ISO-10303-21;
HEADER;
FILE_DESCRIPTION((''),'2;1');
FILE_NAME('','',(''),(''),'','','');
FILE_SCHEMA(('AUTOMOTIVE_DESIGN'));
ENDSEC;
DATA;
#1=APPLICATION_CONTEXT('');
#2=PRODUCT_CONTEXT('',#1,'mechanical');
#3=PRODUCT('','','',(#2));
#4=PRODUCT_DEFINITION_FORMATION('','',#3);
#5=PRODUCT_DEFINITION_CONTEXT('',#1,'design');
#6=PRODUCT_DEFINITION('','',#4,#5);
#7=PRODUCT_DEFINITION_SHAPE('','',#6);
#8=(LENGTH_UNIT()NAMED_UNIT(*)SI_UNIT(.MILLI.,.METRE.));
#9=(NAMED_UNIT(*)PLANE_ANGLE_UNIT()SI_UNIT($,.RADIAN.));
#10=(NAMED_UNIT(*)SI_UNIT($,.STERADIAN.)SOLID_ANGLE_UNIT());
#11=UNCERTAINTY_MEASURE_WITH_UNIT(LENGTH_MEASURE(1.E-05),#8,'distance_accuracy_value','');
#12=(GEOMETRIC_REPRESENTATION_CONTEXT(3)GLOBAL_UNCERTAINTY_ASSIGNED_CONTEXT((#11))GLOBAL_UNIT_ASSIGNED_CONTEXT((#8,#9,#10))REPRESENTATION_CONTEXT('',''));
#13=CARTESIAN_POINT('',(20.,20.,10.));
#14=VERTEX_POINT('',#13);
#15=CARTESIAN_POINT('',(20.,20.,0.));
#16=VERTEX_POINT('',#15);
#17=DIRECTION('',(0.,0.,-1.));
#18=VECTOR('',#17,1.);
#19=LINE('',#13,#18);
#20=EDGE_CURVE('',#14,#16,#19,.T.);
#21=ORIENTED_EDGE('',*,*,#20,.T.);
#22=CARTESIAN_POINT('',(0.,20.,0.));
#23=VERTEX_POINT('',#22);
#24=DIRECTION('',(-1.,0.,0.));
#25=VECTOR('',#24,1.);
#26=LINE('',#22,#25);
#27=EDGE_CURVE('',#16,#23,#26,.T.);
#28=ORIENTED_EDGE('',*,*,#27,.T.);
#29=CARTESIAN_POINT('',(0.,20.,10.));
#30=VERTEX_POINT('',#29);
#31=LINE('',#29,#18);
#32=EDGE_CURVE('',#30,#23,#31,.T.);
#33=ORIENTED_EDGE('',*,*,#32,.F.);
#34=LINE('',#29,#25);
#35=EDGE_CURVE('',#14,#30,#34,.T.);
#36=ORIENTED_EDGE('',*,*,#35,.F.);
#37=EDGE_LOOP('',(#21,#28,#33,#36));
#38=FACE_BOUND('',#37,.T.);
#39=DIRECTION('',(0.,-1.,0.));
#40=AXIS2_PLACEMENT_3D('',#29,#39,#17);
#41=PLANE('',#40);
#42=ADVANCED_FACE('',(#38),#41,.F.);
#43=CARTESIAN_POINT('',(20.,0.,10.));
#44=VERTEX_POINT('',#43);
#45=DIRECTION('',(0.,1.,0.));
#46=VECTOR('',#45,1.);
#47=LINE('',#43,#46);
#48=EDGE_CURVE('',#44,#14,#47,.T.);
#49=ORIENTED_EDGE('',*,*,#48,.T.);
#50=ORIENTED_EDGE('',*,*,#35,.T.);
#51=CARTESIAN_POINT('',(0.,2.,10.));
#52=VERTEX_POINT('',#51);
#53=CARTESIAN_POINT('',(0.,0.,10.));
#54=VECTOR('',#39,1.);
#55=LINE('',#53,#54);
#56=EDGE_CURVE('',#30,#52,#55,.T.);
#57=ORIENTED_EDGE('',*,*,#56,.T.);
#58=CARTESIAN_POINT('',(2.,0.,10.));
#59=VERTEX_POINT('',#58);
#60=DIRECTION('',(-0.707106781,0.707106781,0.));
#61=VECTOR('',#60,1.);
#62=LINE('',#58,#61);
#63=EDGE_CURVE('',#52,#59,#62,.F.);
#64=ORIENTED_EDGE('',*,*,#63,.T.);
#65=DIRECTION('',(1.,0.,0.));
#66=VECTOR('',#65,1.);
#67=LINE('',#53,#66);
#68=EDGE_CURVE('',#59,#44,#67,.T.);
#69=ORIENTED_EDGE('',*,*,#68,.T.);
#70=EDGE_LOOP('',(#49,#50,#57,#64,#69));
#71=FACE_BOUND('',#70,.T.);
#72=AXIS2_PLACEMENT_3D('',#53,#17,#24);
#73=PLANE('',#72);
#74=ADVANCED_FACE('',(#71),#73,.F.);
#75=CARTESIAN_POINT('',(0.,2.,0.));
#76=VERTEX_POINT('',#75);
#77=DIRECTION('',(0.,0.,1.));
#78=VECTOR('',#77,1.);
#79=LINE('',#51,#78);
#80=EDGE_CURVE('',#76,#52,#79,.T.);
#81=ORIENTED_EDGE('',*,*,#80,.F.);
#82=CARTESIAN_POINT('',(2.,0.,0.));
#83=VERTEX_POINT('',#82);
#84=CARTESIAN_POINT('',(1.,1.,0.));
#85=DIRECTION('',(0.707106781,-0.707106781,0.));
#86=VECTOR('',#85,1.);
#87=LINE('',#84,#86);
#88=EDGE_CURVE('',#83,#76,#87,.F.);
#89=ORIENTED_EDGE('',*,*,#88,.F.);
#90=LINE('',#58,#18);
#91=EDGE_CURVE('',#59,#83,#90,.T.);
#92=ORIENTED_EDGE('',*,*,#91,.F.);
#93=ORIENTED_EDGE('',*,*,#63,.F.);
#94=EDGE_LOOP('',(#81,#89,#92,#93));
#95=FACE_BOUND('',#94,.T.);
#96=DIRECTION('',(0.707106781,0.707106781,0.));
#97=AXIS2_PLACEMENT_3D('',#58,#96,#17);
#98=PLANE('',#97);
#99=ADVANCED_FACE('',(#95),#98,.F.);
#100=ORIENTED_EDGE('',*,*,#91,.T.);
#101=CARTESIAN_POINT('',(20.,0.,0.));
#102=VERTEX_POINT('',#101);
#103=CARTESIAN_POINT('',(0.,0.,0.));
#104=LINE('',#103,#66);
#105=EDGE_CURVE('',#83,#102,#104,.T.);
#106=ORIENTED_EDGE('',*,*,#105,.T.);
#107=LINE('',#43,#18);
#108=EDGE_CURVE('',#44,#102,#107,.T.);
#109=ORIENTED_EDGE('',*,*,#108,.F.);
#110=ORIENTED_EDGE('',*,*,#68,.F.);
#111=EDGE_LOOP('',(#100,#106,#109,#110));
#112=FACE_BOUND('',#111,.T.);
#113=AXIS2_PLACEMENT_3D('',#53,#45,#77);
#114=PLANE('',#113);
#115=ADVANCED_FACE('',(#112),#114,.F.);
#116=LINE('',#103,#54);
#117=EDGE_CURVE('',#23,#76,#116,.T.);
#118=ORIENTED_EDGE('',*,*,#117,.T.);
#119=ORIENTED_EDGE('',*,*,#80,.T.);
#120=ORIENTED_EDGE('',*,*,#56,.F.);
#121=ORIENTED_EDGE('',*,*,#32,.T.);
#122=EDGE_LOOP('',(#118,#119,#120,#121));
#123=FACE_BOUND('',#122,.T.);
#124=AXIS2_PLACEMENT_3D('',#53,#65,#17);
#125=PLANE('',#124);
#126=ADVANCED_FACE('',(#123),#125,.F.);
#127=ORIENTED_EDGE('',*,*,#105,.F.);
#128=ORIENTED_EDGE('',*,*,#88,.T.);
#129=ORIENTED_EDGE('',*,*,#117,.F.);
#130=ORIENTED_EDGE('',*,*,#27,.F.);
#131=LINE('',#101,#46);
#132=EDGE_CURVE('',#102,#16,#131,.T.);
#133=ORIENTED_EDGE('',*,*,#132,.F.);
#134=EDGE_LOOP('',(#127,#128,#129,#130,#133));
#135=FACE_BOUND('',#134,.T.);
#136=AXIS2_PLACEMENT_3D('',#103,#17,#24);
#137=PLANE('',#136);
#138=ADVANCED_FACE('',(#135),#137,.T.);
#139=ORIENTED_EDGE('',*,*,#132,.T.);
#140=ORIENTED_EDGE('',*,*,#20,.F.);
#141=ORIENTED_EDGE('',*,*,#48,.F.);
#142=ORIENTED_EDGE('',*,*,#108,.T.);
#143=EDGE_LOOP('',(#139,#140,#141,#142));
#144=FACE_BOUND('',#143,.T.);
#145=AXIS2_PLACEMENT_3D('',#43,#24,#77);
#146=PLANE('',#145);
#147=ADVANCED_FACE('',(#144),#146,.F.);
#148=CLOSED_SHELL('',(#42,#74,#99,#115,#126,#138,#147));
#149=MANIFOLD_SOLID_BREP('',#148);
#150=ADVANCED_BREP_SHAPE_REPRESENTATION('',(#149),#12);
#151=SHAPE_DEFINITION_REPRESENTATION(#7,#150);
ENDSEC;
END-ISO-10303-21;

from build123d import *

# Parameters (mm, degrees)
SKETCH_1_W                = 20
SKETCH_1_H                = 20
BASEBOX_DEPTH             = 10
CHAMFERANGLEDISTANCE_SIZE = 2


with BuildPart() as part:
    # 草图1 → BaseBox (new body)
    with BuildSketch(Plane.XY):
        with Locations((10, 10)):
            Rectangle(SKETCH_1_W, SKETCH_1_H)
    extrude(amount=BASEBOX_DEPTH)

    # ChamferAngleDistance
    chamferangledistance_edges = [part.edges().sort_by_distance(p)[0] for p in [
        (0, 0, 5),
    ]]
    chamfer(chamferangledistance_edges, length=CHAMFERANGLEDISTANCE_SIZE)


solid = part.part
